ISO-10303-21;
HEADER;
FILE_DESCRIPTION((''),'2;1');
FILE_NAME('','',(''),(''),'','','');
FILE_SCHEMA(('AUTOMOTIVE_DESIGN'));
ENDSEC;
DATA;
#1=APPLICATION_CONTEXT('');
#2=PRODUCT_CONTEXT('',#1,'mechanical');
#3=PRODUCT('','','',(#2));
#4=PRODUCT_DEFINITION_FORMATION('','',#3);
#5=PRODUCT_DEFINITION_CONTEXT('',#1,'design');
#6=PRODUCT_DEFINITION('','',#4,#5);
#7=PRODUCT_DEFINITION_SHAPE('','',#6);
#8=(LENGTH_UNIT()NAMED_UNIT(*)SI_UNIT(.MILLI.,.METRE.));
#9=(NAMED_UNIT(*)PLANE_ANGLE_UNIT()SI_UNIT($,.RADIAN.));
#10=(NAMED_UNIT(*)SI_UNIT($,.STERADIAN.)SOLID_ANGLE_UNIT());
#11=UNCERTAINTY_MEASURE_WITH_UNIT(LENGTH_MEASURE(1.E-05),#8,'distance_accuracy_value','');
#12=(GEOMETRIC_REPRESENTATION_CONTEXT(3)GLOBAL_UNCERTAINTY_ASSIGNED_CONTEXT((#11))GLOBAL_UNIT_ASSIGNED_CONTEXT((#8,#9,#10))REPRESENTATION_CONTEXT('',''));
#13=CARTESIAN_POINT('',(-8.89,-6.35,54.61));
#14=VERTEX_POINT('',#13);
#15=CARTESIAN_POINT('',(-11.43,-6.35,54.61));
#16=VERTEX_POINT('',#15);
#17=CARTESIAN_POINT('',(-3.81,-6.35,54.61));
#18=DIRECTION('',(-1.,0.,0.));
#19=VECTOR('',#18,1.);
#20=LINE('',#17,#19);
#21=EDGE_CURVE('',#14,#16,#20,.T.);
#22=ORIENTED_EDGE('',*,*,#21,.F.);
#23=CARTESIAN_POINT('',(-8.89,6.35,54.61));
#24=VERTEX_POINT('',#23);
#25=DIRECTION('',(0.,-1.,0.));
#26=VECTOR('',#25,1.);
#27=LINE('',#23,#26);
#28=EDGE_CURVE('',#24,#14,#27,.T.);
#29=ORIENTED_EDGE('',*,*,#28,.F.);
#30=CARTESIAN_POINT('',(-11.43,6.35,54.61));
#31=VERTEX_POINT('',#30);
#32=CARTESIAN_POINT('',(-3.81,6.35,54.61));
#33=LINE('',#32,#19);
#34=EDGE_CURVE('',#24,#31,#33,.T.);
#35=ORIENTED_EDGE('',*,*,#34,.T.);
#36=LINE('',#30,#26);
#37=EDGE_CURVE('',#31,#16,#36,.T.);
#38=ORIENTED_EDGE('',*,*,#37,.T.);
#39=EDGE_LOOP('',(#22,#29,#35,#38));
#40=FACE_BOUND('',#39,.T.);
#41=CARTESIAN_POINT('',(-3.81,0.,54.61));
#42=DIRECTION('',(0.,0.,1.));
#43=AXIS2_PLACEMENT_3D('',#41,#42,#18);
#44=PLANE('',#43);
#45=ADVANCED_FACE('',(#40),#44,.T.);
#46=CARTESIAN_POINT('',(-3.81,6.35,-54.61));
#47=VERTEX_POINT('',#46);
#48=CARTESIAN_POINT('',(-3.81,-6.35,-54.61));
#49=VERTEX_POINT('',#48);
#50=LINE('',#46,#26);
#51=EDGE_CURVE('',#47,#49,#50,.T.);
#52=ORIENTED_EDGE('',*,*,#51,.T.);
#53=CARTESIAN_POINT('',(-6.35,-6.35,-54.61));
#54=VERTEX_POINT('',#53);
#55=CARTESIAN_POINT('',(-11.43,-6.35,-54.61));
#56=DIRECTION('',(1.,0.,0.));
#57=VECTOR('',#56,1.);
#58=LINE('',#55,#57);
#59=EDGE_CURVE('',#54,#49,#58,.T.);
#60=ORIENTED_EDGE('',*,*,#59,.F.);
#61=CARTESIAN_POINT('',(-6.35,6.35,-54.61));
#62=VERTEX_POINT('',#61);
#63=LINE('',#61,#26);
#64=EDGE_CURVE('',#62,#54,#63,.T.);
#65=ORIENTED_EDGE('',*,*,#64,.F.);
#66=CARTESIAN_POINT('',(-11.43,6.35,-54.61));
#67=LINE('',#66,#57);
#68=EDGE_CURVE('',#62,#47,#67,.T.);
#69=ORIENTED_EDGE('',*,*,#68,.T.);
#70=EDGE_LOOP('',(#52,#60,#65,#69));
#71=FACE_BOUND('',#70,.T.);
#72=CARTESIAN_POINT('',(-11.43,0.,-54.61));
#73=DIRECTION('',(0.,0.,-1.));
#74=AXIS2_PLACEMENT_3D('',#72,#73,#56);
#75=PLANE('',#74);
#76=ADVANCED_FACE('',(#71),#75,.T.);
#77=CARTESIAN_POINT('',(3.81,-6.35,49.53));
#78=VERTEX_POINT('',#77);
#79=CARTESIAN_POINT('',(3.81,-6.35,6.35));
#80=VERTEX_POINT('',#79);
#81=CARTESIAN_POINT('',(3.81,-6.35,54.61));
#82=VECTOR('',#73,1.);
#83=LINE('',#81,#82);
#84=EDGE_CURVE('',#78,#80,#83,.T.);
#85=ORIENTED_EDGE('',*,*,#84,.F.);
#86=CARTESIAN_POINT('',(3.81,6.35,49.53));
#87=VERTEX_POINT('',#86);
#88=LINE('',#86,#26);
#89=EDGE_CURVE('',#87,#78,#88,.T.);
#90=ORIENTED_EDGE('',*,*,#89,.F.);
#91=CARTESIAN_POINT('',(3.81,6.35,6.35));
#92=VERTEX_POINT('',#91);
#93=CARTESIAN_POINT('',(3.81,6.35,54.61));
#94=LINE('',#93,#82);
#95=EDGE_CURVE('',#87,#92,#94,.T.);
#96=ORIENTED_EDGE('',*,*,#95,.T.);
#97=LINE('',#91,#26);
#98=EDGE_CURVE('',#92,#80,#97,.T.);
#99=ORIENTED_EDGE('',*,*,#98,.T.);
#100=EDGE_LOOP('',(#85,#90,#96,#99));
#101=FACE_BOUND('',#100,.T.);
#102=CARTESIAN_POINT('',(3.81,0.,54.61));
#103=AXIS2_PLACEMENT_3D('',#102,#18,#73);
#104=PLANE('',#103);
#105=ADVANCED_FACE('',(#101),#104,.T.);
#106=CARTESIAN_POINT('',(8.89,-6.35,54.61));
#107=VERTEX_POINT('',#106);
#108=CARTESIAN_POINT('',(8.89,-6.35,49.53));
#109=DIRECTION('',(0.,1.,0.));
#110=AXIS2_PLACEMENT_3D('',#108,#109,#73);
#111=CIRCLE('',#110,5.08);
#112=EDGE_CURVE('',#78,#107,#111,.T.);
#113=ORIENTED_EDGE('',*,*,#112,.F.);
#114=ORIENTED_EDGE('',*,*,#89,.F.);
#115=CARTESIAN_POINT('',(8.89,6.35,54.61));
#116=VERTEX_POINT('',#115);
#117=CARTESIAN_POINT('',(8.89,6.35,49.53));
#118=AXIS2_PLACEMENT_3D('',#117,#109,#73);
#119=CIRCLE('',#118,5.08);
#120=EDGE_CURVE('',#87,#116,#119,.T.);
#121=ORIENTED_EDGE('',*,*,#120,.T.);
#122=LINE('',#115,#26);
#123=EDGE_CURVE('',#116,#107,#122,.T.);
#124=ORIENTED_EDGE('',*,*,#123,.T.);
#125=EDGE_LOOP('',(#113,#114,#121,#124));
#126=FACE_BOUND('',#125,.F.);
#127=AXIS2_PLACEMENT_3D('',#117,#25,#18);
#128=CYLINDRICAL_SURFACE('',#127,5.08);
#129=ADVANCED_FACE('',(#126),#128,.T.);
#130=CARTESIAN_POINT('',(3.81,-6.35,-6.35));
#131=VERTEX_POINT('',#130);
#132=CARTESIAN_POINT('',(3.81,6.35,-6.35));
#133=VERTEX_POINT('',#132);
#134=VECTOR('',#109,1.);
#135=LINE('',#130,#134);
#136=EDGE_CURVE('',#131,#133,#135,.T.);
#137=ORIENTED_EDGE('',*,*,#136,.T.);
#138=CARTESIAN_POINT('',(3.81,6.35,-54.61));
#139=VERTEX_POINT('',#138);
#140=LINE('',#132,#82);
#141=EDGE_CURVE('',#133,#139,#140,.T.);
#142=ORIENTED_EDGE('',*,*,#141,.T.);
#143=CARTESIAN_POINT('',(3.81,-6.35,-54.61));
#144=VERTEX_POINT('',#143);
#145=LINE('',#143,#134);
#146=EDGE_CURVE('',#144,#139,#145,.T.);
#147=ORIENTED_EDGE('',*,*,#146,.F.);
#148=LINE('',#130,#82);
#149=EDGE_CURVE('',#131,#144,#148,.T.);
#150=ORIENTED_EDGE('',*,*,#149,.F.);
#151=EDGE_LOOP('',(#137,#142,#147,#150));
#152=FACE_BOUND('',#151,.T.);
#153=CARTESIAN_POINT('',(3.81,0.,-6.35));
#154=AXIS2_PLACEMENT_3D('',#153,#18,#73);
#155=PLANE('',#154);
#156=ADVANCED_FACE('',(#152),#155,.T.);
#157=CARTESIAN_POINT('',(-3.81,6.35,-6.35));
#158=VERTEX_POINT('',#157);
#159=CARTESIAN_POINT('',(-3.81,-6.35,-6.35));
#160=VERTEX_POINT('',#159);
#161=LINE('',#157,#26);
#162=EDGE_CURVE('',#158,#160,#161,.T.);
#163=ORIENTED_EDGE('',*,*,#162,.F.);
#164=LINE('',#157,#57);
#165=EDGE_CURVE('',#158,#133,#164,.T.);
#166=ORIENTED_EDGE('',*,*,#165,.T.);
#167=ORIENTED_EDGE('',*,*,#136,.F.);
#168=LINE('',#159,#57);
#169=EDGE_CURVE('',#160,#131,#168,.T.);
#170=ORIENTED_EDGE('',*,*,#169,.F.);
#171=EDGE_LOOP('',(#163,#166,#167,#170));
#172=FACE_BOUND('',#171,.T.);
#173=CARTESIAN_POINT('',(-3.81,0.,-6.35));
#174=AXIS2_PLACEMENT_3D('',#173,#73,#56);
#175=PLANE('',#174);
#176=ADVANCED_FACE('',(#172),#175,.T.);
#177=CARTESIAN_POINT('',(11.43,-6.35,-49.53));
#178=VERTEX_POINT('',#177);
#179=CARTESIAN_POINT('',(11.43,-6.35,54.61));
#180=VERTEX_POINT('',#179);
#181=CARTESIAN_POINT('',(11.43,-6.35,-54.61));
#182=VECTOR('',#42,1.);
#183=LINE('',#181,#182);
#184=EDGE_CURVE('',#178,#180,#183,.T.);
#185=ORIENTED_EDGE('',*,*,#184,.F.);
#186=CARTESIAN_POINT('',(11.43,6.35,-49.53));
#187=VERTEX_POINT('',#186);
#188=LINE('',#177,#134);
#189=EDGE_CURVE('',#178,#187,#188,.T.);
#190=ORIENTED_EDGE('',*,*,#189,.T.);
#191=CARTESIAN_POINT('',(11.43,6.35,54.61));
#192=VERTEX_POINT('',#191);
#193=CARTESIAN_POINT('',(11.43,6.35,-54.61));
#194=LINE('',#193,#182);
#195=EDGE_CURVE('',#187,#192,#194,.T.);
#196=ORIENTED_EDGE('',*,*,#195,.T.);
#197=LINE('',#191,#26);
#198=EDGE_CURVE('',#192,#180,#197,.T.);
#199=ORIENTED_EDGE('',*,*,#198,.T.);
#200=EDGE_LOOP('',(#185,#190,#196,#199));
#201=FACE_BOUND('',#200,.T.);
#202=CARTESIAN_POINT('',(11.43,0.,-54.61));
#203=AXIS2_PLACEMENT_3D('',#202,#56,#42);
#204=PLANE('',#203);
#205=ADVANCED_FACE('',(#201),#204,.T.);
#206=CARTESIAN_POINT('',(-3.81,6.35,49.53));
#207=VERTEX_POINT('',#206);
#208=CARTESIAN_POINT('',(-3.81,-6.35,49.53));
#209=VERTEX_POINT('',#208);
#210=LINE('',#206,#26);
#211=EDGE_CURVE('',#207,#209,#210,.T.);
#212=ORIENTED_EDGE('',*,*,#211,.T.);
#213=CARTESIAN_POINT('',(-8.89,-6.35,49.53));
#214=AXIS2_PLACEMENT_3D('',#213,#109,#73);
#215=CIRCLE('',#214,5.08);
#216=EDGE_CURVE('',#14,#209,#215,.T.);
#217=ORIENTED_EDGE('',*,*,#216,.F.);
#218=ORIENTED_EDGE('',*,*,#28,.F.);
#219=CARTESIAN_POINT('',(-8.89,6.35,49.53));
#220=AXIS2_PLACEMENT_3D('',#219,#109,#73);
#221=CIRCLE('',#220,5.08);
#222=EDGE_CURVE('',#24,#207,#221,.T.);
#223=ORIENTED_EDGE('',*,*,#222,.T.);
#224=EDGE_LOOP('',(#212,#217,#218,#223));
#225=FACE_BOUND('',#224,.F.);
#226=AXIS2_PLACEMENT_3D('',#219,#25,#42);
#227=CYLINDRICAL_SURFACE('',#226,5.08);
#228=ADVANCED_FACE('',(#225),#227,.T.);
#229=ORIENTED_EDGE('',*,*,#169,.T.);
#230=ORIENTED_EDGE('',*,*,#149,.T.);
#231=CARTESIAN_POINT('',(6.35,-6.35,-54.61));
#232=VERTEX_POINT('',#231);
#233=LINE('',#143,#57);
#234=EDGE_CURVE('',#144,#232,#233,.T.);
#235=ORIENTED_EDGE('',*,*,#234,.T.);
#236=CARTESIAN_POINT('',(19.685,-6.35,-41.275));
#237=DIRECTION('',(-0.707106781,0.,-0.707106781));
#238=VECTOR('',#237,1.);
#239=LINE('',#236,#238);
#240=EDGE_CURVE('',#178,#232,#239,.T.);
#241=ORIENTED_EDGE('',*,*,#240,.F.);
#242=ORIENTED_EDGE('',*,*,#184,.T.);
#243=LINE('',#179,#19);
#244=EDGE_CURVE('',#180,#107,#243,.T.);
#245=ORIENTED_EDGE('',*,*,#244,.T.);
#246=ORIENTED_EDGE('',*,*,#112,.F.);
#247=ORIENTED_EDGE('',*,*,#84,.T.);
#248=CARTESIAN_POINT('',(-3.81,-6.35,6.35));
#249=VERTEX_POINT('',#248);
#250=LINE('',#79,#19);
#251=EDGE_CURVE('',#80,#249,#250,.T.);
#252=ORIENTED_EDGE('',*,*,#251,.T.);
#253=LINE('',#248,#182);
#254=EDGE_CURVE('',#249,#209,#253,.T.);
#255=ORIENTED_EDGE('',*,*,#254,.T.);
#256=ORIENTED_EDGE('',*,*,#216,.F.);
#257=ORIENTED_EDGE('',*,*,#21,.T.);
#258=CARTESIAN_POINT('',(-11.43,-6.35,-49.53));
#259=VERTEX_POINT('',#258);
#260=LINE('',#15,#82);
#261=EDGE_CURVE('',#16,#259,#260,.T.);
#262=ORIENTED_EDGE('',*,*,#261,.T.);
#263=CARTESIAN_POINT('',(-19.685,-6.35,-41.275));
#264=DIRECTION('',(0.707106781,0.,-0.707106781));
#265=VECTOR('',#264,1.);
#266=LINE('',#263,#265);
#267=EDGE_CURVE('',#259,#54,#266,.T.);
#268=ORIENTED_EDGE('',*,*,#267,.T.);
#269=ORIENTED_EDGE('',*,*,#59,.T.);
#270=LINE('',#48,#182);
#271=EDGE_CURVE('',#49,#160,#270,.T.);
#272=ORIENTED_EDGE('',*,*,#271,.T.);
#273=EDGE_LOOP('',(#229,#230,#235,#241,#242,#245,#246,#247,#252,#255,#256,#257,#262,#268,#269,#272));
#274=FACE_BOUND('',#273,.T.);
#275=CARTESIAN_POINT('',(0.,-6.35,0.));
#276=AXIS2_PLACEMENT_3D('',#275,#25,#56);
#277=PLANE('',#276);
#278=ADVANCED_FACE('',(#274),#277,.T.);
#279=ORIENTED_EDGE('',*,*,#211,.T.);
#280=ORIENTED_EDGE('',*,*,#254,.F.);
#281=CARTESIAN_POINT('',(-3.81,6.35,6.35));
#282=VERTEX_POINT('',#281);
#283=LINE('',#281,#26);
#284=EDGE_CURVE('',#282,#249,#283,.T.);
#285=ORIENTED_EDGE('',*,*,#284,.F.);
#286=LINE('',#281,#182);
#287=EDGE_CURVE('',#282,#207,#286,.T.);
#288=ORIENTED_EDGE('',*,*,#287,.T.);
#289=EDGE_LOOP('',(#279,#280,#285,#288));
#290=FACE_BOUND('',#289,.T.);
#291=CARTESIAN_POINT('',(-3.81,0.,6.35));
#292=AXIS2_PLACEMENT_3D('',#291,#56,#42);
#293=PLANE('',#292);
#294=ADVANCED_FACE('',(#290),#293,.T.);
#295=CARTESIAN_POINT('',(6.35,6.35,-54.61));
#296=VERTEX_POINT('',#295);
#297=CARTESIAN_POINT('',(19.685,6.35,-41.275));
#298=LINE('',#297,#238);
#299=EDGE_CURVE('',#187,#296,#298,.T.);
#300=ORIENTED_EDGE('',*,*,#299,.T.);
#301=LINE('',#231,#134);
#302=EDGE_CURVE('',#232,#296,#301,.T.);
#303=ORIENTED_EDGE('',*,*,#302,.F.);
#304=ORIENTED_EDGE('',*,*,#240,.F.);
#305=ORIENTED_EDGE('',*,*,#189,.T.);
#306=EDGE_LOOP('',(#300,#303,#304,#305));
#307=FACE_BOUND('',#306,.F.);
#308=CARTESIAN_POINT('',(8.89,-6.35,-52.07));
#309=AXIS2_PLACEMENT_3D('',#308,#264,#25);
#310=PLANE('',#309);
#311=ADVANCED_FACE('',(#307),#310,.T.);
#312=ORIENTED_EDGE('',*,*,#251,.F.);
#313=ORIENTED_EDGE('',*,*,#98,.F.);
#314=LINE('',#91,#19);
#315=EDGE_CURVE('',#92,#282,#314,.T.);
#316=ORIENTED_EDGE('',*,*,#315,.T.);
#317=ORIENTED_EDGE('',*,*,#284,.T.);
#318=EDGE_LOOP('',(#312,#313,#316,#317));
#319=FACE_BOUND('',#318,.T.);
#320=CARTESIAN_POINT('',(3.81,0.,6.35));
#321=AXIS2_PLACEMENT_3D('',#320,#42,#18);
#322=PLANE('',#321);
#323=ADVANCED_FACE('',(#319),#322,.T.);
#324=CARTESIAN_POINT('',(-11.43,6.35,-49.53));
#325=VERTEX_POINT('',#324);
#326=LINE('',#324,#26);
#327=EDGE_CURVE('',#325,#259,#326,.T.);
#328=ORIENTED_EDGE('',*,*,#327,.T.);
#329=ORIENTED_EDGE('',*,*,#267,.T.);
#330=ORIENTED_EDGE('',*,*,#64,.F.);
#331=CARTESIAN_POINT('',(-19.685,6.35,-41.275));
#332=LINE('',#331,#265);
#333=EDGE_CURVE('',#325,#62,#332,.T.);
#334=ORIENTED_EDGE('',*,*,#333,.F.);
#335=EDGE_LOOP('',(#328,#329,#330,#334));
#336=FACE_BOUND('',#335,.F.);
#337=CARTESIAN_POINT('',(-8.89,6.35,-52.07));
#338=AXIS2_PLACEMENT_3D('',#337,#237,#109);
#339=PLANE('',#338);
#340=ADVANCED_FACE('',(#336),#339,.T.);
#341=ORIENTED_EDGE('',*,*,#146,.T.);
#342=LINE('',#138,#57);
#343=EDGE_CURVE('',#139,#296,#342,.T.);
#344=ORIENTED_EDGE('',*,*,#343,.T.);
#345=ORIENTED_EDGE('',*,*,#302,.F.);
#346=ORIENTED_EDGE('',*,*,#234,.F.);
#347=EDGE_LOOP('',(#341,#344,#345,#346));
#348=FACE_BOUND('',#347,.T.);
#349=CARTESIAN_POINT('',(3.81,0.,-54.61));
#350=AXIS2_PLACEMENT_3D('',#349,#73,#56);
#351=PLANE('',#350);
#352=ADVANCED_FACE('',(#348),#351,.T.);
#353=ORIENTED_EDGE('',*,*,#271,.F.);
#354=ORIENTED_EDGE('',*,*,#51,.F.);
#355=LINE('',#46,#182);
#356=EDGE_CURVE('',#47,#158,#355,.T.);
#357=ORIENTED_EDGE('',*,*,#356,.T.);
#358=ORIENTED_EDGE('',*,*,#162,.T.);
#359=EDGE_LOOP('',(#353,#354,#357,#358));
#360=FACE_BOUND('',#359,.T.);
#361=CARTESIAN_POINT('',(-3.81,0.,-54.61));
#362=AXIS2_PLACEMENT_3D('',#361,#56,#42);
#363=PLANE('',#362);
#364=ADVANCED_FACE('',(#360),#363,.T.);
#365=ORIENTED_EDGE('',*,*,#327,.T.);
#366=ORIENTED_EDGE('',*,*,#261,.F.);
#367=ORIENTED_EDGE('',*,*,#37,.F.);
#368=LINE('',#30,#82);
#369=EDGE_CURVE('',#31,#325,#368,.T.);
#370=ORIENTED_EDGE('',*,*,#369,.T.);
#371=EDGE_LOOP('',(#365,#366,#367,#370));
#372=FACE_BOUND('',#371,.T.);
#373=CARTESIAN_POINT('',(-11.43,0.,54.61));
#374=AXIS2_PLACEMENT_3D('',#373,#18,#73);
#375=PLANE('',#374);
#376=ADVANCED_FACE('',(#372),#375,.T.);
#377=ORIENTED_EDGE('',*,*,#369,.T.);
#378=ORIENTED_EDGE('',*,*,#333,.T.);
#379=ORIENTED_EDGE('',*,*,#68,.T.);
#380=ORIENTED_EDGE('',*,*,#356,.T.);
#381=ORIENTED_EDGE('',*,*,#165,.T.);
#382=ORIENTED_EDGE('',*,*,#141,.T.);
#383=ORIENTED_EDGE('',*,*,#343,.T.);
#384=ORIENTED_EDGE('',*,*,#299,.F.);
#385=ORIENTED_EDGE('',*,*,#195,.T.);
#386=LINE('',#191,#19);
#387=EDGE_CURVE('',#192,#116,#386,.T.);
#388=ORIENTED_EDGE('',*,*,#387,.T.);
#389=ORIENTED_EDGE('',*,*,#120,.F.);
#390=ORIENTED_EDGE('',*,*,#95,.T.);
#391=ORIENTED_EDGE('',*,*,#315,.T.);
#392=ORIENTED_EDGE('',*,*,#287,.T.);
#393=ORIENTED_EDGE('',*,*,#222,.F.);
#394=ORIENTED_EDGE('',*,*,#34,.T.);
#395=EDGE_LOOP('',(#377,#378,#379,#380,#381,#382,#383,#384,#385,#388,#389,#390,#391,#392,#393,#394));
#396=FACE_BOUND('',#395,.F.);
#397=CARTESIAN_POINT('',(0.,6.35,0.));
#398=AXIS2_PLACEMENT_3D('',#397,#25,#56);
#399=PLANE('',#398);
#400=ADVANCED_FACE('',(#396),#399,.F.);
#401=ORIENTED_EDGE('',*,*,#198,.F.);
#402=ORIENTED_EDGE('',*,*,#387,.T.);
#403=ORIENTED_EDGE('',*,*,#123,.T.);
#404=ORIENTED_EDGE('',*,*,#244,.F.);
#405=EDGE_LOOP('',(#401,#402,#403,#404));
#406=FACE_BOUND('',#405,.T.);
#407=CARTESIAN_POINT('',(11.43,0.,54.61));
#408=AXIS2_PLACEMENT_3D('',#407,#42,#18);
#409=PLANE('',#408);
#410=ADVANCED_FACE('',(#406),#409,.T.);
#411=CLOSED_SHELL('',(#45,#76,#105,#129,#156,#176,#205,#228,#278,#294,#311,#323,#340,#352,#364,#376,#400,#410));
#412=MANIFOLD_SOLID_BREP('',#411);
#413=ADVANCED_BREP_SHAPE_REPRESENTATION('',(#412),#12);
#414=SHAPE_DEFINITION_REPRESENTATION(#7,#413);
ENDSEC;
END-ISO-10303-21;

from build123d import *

# Parameters (mm, degrees)
F1_DEPTH = 6.35
F2_R     = 5.08
F3_SIZE  = 5.08


with BuildPart() as f1:
    # F0 (on Front) → F1 (new body, symmetric)
    with BuildSketch(Plane.XZ):
        Polygon((11.43, -54.61), (11.43, 54.61), (3.81, 54.61), (3.81, 6.35), (-3.81, 6.35), (-3.81, 54.61), (-11.43, 54.61), (-11.43, -54.61), (-3.81, -54.61), (-3.81, -6.35), (3.81, -6.35), (3.81, -54.61), align=None)
    extrude(amount=F1_DEPTH, both=True)

    # F2
    f2_edges = [f1.edges().sort_by_distance(p)[0] for p in [
        (-3.81, 0, 54.61),
        (3.81, 0, 54.61),
    ]]
    fillet(f2_edges, radius=F2_R)

    # F3
    f3_edges = [f1.edges().sort_by_distance(p)[0] for p in [
        (-11.43, 0, -54.61),
        (11.43, 0, -54.61),
    ]]
    chamfer(f3_edges, length=F3_SIZE)


solid = f1.part
